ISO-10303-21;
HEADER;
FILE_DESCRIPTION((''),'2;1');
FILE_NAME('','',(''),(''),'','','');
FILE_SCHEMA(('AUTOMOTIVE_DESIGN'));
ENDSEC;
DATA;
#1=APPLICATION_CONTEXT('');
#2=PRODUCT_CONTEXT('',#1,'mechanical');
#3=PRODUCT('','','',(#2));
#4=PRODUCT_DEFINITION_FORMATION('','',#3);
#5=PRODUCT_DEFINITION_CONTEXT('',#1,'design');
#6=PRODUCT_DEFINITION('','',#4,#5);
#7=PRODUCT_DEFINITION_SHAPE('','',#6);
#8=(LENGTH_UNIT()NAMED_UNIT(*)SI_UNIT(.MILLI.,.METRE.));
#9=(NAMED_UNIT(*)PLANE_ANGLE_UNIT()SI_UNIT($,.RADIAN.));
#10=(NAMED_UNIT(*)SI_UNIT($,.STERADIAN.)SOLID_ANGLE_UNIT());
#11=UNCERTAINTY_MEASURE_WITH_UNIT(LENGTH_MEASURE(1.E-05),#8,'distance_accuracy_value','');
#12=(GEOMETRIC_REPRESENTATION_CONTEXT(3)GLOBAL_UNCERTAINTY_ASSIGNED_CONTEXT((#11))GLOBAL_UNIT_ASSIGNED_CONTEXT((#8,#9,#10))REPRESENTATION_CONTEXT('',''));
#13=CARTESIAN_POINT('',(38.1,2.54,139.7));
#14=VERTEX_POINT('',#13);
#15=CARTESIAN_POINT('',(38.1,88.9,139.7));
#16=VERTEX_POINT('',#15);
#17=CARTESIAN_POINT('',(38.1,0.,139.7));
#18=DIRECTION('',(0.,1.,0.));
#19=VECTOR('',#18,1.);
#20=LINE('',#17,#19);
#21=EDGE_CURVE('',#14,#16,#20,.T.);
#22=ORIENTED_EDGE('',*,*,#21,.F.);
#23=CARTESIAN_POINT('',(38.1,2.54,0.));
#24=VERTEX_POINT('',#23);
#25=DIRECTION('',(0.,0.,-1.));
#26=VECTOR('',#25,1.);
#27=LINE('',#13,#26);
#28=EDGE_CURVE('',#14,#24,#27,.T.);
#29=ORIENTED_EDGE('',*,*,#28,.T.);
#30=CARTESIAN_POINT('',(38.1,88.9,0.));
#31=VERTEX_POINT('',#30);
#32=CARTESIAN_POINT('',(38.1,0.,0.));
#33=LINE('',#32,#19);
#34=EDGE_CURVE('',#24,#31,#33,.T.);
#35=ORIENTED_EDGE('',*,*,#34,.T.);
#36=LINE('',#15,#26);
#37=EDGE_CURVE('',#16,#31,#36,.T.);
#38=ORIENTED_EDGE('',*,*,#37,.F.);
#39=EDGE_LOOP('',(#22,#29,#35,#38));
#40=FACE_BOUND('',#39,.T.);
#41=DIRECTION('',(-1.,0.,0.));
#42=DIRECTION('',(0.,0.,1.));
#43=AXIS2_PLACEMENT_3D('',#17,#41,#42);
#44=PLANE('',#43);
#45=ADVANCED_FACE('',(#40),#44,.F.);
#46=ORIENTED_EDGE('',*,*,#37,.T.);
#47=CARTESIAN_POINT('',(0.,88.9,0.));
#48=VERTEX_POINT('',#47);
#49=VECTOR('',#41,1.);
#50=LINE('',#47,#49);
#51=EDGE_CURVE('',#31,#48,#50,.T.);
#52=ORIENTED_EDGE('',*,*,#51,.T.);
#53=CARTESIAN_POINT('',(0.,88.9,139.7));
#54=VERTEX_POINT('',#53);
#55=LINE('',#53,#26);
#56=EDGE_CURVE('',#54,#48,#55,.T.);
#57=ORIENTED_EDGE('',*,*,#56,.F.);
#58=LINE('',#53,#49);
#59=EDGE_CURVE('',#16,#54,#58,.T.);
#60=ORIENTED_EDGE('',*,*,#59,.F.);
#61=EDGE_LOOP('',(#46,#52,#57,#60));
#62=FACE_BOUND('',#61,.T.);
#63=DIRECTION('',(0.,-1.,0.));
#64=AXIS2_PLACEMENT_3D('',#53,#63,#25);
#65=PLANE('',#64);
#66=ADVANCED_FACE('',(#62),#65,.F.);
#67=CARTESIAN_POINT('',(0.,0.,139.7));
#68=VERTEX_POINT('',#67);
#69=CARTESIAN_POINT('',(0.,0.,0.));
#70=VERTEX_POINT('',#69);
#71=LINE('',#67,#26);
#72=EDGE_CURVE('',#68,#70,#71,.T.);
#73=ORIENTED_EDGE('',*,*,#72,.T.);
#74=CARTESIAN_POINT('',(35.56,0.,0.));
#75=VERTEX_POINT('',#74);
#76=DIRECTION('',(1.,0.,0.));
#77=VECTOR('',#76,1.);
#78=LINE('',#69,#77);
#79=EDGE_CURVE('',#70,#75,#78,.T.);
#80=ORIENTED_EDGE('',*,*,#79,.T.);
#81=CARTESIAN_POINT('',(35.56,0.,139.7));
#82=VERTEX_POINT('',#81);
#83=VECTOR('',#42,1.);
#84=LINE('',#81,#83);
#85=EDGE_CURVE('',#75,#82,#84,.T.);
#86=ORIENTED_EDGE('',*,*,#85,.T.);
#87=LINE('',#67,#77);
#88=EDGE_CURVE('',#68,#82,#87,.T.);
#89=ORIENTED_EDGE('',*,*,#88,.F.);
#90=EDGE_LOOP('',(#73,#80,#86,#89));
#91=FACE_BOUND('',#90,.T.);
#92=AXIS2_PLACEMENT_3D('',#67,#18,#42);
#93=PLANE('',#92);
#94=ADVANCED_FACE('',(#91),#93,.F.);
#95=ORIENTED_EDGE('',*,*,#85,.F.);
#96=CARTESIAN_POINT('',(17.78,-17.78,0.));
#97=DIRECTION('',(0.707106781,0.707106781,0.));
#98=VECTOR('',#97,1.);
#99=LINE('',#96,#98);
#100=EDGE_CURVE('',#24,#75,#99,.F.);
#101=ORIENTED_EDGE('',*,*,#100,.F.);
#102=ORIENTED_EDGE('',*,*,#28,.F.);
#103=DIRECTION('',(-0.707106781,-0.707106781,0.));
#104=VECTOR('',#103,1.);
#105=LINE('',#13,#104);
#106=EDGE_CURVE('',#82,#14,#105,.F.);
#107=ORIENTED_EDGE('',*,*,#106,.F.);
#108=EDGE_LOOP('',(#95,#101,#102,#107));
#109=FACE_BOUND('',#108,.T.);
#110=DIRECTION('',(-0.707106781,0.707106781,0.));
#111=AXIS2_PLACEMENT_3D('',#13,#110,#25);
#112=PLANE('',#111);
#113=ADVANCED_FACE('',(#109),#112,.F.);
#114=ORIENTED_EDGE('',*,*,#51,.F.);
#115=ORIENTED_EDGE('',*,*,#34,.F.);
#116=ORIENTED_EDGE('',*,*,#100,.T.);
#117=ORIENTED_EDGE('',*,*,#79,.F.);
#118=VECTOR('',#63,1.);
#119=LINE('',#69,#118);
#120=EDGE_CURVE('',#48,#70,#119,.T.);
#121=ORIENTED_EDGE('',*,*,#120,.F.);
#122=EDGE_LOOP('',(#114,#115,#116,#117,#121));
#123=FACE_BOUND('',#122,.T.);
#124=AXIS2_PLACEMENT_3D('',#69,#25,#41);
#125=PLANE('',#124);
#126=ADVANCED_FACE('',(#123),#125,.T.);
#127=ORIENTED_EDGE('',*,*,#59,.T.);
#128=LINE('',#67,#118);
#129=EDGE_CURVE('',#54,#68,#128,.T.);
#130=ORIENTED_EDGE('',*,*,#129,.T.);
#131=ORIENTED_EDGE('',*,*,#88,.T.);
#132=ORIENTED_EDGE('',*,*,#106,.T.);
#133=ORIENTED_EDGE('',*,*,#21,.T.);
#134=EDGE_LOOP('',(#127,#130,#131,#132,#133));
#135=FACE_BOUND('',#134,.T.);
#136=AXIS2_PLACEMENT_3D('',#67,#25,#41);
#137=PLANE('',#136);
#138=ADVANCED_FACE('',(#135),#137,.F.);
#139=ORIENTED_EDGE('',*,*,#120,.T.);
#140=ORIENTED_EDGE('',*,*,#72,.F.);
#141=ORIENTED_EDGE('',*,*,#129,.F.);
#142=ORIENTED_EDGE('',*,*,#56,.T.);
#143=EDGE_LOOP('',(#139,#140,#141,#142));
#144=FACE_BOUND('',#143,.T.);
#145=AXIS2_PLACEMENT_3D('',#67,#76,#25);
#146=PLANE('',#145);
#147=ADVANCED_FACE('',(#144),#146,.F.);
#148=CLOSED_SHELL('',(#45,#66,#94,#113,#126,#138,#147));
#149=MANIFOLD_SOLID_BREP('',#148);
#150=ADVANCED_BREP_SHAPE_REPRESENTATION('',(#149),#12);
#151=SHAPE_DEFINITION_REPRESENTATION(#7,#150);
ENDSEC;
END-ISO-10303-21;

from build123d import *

# Parameters (mm, degrees)
SKETCH1_W           = 38.1
SKETCH1_H           = 88.9
BOSS_EXTRUDE1_DEPTH = 139.7
CHAMFER1_SIZE       = 2.54


with BuildPart() as part:
    # Sketch1 → Boss-Extrude1 (new body)
    with BuildSketch(Plane.XY):
        with Locations((19.05, 44.45)):
            Rectangle(SKETCH1_W, SKETCH1_H)
    extrude(amount=BOSS_EXTRUDE1_DEPTH)

    # Chamfer1
    chamfer1_edges = [part.edges().sort_by_distance(p)[0] for p in [
        (38.1, 0, 69.85),
    ]]
    chamfer(chamfer1_edges, length=CHAMFER1_SIZE)


solid = part.part
